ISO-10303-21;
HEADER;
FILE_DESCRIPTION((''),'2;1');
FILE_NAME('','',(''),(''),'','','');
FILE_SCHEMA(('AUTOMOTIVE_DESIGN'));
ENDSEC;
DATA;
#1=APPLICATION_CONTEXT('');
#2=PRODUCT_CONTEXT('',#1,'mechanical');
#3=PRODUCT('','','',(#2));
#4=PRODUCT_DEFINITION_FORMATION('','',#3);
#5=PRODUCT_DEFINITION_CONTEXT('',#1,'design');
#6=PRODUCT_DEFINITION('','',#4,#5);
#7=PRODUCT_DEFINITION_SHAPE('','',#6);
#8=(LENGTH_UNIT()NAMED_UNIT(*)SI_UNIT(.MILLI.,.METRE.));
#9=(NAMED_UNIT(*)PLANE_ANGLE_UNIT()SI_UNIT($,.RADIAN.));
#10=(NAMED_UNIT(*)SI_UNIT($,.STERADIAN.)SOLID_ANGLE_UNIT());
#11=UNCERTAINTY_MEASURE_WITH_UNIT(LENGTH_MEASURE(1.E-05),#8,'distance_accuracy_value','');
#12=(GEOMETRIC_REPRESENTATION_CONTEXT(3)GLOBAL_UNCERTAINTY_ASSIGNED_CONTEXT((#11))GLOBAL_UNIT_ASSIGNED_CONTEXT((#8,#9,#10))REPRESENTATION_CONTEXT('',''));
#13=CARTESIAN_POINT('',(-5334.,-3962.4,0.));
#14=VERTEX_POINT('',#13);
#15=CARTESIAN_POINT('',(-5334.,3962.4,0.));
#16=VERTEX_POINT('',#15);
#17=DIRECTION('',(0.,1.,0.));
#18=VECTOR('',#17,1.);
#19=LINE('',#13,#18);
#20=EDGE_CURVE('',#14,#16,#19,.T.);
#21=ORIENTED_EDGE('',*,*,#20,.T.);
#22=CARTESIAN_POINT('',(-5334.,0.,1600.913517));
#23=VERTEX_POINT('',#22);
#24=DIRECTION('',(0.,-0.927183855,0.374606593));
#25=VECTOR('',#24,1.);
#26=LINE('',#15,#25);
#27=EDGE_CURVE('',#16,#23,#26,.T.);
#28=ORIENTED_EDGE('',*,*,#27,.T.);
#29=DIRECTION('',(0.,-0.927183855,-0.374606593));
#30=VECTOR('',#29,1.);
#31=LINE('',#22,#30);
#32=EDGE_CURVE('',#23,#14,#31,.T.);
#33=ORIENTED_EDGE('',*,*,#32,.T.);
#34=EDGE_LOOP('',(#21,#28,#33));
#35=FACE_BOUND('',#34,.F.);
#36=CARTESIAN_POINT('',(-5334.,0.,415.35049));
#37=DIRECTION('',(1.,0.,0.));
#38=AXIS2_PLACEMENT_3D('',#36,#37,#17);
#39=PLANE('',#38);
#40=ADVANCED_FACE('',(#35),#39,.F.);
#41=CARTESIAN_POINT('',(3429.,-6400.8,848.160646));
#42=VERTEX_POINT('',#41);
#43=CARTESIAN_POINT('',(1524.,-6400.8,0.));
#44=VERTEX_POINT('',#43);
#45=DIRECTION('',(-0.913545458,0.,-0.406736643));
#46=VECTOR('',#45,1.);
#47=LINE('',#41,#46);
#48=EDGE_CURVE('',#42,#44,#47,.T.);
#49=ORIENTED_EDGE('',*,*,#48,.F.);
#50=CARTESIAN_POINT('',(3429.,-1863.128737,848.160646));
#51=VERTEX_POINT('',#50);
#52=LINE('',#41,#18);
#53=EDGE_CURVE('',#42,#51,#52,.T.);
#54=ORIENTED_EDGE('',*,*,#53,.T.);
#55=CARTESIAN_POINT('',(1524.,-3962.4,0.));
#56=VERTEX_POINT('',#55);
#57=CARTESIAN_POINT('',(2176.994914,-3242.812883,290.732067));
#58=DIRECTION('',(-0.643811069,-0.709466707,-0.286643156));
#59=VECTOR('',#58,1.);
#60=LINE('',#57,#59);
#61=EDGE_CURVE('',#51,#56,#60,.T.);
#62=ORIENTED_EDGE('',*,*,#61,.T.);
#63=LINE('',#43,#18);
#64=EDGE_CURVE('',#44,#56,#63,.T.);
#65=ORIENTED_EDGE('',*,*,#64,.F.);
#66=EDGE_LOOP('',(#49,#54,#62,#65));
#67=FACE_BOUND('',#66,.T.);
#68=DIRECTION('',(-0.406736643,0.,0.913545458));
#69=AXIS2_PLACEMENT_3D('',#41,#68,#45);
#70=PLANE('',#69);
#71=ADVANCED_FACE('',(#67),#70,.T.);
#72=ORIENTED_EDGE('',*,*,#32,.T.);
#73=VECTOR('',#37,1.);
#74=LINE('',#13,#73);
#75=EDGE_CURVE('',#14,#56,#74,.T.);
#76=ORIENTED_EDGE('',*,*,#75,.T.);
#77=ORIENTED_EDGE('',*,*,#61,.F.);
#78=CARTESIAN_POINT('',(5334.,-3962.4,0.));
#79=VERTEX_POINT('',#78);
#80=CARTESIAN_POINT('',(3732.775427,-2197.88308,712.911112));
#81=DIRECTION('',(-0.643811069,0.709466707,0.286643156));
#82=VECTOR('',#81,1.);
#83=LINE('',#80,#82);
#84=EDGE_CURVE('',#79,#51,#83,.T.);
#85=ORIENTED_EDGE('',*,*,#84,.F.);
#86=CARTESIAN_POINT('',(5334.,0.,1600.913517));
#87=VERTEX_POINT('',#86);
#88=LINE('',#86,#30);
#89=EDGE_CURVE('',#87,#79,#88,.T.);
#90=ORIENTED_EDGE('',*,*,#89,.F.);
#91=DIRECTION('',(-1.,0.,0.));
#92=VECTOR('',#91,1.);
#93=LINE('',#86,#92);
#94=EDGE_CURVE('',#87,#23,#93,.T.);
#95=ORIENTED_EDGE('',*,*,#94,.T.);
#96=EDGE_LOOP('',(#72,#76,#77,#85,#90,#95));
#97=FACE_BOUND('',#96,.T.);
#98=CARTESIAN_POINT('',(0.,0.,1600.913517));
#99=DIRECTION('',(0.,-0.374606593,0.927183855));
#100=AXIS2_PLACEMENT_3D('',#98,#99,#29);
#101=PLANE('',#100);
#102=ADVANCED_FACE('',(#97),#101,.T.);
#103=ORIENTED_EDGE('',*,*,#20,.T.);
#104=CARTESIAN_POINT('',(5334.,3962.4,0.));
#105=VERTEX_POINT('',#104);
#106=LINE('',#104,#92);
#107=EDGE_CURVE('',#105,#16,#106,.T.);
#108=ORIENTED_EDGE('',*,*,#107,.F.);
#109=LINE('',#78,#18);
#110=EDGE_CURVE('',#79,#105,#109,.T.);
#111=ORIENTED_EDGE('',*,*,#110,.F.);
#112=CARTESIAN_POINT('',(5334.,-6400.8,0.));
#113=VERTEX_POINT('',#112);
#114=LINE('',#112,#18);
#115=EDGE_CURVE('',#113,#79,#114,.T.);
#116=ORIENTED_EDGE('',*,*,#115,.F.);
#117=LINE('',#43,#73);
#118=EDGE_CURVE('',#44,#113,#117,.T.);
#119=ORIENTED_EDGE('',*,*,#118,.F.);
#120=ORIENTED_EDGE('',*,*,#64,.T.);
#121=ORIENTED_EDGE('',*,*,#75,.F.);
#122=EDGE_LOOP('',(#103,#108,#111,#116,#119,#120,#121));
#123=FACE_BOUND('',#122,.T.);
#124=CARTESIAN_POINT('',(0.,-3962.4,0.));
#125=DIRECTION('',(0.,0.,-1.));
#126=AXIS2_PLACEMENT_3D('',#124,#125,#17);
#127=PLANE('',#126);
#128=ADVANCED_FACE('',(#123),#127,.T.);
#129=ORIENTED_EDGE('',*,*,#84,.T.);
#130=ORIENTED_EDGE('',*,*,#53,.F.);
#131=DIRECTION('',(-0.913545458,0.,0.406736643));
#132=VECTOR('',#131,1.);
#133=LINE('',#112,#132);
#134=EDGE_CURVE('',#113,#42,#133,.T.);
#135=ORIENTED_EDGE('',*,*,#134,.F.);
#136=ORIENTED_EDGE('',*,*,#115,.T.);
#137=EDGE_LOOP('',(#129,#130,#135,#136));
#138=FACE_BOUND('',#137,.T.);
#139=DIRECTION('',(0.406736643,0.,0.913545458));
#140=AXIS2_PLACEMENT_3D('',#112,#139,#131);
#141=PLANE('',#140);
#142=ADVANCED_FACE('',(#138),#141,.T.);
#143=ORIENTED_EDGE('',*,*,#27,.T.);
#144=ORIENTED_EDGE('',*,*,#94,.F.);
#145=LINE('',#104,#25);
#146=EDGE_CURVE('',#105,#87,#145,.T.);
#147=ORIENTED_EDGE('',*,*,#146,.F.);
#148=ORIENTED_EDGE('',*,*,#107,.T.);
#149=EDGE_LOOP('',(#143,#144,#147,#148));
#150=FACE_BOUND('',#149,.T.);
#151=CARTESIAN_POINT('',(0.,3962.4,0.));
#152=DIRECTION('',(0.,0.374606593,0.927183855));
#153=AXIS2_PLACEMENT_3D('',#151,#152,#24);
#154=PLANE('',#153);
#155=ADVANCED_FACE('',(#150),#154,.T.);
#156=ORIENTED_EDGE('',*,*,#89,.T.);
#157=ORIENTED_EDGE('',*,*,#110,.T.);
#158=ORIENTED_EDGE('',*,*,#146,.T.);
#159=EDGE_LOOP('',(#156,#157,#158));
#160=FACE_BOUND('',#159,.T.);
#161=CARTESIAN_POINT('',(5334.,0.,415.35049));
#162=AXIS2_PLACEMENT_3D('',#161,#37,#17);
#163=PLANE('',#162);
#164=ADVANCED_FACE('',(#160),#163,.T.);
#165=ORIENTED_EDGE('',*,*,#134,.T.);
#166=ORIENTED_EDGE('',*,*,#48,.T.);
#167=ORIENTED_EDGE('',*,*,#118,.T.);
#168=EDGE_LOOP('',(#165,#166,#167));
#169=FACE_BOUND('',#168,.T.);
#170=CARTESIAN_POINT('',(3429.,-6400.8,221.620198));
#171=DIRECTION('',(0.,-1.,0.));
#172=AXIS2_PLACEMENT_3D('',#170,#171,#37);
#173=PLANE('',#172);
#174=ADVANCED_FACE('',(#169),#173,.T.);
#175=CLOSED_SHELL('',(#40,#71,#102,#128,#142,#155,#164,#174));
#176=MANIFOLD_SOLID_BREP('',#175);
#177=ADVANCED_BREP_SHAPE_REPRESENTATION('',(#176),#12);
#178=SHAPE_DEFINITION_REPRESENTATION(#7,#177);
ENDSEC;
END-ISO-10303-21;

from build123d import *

# Parameters (mm, degrees)
F1_DEPTH = 5334


with BuildPart() as f1:
    # F0 (on Right) → F1 (new body, symmetric)
    with BuildSketch(Plane.YZ):
        Polygon((0, 1600.9135172492), (-3962.4, 0), (3962.4, 0), align=None)
    extrude(amount=F1_DEPTH, both=True)

    # F3 (on offset) → F4 (join, up to the next surface of F1)
    with BuildSketch(Plane.XZ.offset(6400.8)):
        Polygon((1524, 0), (5334, 0), (3429, 848.1606455128), align=None)
    extrude(until=Until.NEXT, dir=(0, 1, 0))


solid = f1.part
